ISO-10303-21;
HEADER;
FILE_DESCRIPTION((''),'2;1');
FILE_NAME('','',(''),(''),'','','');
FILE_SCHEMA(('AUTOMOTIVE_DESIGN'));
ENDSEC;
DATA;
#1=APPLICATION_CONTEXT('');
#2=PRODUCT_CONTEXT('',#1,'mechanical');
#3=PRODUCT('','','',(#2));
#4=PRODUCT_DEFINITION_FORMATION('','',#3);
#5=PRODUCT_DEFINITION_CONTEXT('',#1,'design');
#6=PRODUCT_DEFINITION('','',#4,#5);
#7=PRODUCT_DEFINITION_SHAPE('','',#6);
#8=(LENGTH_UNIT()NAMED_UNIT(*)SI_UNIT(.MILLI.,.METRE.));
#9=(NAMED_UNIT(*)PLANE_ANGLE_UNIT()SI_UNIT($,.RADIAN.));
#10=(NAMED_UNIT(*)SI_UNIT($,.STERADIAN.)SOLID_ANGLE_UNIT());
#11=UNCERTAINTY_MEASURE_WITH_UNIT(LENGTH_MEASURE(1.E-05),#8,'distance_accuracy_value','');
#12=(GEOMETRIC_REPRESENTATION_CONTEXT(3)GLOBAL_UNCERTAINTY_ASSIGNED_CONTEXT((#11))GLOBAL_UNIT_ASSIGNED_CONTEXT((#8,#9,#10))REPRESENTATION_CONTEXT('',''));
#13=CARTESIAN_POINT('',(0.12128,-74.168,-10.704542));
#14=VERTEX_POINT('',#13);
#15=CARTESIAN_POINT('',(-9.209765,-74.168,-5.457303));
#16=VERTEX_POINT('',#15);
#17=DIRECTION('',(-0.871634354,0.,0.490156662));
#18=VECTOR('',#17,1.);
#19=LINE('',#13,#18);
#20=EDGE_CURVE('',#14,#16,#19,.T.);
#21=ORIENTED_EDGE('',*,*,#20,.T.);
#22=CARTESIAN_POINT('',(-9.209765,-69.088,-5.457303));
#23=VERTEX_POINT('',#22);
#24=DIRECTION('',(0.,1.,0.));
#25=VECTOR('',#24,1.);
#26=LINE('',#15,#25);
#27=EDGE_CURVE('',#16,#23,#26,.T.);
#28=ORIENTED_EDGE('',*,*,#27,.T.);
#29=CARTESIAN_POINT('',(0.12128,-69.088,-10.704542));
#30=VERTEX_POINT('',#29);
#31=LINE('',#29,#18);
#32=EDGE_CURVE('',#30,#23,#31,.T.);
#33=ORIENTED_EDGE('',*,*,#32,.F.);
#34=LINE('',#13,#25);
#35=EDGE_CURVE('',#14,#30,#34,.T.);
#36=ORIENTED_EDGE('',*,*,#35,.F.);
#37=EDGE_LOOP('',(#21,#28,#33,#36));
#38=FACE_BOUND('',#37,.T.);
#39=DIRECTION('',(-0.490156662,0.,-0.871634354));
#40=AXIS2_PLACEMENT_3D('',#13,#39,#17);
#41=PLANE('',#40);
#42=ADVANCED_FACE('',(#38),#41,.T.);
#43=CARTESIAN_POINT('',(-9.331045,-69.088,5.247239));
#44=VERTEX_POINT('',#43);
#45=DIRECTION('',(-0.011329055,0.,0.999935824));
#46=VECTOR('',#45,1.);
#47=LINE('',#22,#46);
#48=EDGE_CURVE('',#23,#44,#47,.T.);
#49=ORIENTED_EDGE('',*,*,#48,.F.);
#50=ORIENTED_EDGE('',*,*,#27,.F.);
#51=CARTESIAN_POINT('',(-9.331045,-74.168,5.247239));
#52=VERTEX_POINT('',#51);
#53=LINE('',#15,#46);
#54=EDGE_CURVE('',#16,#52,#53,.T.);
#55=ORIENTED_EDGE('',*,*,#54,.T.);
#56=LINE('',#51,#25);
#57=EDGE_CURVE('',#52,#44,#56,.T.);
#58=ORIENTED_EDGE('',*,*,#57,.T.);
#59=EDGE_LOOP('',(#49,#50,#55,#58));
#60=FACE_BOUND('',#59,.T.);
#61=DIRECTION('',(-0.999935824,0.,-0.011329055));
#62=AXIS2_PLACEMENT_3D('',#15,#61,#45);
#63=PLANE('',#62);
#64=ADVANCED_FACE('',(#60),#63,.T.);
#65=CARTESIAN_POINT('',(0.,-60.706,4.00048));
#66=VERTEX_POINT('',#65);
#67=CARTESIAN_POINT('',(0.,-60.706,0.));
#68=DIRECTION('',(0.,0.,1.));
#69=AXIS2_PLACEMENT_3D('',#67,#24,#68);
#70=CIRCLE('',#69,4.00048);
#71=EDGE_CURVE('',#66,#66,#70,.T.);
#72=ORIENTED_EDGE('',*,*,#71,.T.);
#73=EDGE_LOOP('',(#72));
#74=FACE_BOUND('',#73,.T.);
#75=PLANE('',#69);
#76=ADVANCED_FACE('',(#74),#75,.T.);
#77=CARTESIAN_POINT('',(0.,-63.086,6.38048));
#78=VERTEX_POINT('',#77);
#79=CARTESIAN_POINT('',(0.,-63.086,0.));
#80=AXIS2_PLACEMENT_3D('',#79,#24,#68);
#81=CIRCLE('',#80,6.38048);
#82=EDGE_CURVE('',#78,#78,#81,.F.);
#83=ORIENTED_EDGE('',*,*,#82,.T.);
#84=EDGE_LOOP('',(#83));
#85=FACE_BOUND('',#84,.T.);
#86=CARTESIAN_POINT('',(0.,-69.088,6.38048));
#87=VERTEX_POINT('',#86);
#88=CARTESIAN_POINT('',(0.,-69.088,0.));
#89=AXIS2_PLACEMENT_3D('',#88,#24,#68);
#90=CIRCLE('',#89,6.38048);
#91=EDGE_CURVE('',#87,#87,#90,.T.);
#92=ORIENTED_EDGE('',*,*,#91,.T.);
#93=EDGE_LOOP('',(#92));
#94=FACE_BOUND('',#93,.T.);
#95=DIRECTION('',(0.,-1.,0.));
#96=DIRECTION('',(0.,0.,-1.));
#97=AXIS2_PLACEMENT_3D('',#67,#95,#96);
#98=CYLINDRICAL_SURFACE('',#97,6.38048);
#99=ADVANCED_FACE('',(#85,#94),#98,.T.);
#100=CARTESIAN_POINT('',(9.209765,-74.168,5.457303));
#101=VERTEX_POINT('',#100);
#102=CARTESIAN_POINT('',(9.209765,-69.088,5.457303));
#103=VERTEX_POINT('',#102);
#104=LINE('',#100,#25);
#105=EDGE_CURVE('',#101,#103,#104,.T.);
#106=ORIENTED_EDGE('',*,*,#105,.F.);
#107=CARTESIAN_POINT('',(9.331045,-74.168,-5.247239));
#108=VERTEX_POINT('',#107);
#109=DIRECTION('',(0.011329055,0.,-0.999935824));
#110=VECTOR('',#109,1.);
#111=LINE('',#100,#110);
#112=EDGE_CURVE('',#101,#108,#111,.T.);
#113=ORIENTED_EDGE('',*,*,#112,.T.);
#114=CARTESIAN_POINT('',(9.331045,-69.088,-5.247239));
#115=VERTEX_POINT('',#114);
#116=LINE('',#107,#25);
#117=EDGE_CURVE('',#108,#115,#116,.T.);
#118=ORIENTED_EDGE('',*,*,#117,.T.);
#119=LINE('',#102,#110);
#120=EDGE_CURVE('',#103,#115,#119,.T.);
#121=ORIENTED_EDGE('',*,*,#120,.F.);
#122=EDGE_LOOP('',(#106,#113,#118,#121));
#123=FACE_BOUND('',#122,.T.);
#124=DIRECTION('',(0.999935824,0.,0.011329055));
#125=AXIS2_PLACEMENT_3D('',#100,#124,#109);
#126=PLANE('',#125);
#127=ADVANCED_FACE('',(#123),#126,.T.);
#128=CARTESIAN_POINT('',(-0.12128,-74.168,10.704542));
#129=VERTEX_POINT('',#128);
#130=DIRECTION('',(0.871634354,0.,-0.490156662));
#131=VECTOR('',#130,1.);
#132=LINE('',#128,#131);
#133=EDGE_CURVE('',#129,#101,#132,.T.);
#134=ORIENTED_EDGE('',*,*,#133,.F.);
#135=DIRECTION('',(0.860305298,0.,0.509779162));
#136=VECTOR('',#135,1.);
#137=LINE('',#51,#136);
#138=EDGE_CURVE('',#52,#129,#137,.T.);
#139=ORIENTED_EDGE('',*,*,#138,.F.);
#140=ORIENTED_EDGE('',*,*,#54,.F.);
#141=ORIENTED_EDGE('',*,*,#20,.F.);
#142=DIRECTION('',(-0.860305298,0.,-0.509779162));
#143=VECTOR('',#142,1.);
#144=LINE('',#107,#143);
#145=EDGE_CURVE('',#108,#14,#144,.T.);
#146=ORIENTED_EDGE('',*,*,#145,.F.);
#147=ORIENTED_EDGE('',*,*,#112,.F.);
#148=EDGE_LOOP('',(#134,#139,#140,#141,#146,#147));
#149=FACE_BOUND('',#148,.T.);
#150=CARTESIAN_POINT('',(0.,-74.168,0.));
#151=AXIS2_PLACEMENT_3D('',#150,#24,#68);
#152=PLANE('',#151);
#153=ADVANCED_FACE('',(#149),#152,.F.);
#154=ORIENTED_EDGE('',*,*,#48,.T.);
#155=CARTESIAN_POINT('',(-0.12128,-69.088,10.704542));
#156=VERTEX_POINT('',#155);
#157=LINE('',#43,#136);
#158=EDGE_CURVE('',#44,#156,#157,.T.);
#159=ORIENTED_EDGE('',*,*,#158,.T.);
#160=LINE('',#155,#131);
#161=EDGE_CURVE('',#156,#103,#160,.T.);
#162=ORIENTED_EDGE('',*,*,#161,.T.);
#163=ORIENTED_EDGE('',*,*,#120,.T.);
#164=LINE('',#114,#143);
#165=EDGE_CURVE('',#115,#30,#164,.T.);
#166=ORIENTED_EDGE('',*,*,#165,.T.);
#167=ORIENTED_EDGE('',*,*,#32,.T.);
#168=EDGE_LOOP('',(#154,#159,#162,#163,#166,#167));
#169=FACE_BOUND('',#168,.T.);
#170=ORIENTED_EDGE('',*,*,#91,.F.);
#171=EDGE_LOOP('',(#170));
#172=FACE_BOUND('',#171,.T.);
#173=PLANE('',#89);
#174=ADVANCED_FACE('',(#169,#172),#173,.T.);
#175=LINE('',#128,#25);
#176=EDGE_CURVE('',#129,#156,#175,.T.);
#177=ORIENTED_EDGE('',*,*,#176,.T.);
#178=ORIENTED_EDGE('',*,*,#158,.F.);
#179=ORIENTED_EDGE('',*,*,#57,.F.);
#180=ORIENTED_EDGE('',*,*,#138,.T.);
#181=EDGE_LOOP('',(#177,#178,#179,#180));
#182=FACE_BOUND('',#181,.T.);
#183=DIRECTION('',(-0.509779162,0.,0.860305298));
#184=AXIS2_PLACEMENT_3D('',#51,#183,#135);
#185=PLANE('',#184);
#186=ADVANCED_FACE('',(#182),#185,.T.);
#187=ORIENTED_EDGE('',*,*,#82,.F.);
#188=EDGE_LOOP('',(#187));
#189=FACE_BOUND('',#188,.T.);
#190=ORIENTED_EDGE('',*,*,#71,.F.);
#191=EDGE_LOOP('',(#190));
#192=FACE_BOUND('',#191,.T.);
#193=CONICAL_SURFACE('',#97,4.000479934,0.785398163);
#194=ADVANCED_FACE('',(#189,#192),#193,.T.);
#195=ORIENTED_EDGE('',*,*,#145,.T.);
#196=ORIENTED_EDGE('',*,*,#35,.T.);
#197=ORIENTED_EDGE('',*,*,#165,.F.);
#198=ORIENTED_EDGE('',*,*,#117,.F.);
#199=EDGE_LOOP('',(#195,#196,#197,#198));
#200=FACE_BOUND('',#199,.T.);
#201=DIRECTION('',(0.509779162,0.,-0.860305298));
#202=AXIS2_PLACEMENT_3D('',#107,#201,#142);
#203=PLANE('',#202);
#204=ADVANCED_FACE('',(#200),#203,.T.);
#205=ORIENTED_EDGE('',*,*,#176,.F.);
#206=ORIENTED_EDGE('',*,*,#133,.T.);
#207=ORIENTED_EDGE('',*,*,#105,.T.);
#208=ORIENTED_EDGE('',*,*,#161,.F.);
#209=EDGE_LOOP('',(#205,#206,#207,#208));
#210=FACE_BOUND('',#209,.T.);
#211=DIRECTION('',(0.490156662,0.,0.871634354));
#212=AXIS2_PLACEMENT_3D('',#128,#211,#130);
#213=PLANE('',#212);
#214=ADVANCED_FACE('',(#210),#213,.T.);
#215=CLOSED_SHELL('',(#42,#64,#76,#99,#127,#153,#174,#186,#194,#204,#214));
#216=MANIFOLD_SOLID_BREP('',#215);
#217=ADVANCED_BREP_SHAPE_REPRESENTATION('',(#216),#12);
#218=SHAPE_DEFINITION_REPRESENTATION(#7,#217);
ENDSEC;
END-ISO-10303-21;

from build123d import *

# Parameters (mm, degrees)
SKETCH1_R           = 6.38048
BOSS_EXTRUDE1_DEPTH = 8.382
BOSS_EXTRUDE2_DEPTH = 5.08
CHAMFER1_SIZE       = 2.380000066


with BuildPart() as part:
    # Sketch1 → Boss-Extrude1 (new body)
    with BuildSketch(Plane(origin=(0, -69.088, -69.088), x_dir=(1, 0, 0), z_dir=(0, 1, 0))):
        with Locations((0, -69.088)):
            Circle(SKETCH1_R)
    extrude(amount=BOSS_EXTRUDE1_DEPTH)

    # Sketch1<11> → Boss-Extrude2 (add)
    with BuildSketch(Plane(origin=(0, -69.088, -69.088), x_dir=(1, 0, 0), z_dir=(0, 1, 0))):
        Polygon((9.209764962, -74.545302509), (9.33104509, -63.840760835), (0.121280128, -58.383458325), (-9.209764962, -63.630697491), (-9.33104509, -74.335239165), (-0.121280128, -79.792541675), align=None)
    extrude(amount=-BOSS_EXTRUDE2_DEPTH)

    # Chamfer1
    chamfer1_edges = [part.edges().sort_by_distance(p)[0] for p in [
        (-6.38048, -60.706, 0),
    ]]
    chamfer(chamfer1_edges, length=CHAMFER1_SIZE)


solid = part.part
